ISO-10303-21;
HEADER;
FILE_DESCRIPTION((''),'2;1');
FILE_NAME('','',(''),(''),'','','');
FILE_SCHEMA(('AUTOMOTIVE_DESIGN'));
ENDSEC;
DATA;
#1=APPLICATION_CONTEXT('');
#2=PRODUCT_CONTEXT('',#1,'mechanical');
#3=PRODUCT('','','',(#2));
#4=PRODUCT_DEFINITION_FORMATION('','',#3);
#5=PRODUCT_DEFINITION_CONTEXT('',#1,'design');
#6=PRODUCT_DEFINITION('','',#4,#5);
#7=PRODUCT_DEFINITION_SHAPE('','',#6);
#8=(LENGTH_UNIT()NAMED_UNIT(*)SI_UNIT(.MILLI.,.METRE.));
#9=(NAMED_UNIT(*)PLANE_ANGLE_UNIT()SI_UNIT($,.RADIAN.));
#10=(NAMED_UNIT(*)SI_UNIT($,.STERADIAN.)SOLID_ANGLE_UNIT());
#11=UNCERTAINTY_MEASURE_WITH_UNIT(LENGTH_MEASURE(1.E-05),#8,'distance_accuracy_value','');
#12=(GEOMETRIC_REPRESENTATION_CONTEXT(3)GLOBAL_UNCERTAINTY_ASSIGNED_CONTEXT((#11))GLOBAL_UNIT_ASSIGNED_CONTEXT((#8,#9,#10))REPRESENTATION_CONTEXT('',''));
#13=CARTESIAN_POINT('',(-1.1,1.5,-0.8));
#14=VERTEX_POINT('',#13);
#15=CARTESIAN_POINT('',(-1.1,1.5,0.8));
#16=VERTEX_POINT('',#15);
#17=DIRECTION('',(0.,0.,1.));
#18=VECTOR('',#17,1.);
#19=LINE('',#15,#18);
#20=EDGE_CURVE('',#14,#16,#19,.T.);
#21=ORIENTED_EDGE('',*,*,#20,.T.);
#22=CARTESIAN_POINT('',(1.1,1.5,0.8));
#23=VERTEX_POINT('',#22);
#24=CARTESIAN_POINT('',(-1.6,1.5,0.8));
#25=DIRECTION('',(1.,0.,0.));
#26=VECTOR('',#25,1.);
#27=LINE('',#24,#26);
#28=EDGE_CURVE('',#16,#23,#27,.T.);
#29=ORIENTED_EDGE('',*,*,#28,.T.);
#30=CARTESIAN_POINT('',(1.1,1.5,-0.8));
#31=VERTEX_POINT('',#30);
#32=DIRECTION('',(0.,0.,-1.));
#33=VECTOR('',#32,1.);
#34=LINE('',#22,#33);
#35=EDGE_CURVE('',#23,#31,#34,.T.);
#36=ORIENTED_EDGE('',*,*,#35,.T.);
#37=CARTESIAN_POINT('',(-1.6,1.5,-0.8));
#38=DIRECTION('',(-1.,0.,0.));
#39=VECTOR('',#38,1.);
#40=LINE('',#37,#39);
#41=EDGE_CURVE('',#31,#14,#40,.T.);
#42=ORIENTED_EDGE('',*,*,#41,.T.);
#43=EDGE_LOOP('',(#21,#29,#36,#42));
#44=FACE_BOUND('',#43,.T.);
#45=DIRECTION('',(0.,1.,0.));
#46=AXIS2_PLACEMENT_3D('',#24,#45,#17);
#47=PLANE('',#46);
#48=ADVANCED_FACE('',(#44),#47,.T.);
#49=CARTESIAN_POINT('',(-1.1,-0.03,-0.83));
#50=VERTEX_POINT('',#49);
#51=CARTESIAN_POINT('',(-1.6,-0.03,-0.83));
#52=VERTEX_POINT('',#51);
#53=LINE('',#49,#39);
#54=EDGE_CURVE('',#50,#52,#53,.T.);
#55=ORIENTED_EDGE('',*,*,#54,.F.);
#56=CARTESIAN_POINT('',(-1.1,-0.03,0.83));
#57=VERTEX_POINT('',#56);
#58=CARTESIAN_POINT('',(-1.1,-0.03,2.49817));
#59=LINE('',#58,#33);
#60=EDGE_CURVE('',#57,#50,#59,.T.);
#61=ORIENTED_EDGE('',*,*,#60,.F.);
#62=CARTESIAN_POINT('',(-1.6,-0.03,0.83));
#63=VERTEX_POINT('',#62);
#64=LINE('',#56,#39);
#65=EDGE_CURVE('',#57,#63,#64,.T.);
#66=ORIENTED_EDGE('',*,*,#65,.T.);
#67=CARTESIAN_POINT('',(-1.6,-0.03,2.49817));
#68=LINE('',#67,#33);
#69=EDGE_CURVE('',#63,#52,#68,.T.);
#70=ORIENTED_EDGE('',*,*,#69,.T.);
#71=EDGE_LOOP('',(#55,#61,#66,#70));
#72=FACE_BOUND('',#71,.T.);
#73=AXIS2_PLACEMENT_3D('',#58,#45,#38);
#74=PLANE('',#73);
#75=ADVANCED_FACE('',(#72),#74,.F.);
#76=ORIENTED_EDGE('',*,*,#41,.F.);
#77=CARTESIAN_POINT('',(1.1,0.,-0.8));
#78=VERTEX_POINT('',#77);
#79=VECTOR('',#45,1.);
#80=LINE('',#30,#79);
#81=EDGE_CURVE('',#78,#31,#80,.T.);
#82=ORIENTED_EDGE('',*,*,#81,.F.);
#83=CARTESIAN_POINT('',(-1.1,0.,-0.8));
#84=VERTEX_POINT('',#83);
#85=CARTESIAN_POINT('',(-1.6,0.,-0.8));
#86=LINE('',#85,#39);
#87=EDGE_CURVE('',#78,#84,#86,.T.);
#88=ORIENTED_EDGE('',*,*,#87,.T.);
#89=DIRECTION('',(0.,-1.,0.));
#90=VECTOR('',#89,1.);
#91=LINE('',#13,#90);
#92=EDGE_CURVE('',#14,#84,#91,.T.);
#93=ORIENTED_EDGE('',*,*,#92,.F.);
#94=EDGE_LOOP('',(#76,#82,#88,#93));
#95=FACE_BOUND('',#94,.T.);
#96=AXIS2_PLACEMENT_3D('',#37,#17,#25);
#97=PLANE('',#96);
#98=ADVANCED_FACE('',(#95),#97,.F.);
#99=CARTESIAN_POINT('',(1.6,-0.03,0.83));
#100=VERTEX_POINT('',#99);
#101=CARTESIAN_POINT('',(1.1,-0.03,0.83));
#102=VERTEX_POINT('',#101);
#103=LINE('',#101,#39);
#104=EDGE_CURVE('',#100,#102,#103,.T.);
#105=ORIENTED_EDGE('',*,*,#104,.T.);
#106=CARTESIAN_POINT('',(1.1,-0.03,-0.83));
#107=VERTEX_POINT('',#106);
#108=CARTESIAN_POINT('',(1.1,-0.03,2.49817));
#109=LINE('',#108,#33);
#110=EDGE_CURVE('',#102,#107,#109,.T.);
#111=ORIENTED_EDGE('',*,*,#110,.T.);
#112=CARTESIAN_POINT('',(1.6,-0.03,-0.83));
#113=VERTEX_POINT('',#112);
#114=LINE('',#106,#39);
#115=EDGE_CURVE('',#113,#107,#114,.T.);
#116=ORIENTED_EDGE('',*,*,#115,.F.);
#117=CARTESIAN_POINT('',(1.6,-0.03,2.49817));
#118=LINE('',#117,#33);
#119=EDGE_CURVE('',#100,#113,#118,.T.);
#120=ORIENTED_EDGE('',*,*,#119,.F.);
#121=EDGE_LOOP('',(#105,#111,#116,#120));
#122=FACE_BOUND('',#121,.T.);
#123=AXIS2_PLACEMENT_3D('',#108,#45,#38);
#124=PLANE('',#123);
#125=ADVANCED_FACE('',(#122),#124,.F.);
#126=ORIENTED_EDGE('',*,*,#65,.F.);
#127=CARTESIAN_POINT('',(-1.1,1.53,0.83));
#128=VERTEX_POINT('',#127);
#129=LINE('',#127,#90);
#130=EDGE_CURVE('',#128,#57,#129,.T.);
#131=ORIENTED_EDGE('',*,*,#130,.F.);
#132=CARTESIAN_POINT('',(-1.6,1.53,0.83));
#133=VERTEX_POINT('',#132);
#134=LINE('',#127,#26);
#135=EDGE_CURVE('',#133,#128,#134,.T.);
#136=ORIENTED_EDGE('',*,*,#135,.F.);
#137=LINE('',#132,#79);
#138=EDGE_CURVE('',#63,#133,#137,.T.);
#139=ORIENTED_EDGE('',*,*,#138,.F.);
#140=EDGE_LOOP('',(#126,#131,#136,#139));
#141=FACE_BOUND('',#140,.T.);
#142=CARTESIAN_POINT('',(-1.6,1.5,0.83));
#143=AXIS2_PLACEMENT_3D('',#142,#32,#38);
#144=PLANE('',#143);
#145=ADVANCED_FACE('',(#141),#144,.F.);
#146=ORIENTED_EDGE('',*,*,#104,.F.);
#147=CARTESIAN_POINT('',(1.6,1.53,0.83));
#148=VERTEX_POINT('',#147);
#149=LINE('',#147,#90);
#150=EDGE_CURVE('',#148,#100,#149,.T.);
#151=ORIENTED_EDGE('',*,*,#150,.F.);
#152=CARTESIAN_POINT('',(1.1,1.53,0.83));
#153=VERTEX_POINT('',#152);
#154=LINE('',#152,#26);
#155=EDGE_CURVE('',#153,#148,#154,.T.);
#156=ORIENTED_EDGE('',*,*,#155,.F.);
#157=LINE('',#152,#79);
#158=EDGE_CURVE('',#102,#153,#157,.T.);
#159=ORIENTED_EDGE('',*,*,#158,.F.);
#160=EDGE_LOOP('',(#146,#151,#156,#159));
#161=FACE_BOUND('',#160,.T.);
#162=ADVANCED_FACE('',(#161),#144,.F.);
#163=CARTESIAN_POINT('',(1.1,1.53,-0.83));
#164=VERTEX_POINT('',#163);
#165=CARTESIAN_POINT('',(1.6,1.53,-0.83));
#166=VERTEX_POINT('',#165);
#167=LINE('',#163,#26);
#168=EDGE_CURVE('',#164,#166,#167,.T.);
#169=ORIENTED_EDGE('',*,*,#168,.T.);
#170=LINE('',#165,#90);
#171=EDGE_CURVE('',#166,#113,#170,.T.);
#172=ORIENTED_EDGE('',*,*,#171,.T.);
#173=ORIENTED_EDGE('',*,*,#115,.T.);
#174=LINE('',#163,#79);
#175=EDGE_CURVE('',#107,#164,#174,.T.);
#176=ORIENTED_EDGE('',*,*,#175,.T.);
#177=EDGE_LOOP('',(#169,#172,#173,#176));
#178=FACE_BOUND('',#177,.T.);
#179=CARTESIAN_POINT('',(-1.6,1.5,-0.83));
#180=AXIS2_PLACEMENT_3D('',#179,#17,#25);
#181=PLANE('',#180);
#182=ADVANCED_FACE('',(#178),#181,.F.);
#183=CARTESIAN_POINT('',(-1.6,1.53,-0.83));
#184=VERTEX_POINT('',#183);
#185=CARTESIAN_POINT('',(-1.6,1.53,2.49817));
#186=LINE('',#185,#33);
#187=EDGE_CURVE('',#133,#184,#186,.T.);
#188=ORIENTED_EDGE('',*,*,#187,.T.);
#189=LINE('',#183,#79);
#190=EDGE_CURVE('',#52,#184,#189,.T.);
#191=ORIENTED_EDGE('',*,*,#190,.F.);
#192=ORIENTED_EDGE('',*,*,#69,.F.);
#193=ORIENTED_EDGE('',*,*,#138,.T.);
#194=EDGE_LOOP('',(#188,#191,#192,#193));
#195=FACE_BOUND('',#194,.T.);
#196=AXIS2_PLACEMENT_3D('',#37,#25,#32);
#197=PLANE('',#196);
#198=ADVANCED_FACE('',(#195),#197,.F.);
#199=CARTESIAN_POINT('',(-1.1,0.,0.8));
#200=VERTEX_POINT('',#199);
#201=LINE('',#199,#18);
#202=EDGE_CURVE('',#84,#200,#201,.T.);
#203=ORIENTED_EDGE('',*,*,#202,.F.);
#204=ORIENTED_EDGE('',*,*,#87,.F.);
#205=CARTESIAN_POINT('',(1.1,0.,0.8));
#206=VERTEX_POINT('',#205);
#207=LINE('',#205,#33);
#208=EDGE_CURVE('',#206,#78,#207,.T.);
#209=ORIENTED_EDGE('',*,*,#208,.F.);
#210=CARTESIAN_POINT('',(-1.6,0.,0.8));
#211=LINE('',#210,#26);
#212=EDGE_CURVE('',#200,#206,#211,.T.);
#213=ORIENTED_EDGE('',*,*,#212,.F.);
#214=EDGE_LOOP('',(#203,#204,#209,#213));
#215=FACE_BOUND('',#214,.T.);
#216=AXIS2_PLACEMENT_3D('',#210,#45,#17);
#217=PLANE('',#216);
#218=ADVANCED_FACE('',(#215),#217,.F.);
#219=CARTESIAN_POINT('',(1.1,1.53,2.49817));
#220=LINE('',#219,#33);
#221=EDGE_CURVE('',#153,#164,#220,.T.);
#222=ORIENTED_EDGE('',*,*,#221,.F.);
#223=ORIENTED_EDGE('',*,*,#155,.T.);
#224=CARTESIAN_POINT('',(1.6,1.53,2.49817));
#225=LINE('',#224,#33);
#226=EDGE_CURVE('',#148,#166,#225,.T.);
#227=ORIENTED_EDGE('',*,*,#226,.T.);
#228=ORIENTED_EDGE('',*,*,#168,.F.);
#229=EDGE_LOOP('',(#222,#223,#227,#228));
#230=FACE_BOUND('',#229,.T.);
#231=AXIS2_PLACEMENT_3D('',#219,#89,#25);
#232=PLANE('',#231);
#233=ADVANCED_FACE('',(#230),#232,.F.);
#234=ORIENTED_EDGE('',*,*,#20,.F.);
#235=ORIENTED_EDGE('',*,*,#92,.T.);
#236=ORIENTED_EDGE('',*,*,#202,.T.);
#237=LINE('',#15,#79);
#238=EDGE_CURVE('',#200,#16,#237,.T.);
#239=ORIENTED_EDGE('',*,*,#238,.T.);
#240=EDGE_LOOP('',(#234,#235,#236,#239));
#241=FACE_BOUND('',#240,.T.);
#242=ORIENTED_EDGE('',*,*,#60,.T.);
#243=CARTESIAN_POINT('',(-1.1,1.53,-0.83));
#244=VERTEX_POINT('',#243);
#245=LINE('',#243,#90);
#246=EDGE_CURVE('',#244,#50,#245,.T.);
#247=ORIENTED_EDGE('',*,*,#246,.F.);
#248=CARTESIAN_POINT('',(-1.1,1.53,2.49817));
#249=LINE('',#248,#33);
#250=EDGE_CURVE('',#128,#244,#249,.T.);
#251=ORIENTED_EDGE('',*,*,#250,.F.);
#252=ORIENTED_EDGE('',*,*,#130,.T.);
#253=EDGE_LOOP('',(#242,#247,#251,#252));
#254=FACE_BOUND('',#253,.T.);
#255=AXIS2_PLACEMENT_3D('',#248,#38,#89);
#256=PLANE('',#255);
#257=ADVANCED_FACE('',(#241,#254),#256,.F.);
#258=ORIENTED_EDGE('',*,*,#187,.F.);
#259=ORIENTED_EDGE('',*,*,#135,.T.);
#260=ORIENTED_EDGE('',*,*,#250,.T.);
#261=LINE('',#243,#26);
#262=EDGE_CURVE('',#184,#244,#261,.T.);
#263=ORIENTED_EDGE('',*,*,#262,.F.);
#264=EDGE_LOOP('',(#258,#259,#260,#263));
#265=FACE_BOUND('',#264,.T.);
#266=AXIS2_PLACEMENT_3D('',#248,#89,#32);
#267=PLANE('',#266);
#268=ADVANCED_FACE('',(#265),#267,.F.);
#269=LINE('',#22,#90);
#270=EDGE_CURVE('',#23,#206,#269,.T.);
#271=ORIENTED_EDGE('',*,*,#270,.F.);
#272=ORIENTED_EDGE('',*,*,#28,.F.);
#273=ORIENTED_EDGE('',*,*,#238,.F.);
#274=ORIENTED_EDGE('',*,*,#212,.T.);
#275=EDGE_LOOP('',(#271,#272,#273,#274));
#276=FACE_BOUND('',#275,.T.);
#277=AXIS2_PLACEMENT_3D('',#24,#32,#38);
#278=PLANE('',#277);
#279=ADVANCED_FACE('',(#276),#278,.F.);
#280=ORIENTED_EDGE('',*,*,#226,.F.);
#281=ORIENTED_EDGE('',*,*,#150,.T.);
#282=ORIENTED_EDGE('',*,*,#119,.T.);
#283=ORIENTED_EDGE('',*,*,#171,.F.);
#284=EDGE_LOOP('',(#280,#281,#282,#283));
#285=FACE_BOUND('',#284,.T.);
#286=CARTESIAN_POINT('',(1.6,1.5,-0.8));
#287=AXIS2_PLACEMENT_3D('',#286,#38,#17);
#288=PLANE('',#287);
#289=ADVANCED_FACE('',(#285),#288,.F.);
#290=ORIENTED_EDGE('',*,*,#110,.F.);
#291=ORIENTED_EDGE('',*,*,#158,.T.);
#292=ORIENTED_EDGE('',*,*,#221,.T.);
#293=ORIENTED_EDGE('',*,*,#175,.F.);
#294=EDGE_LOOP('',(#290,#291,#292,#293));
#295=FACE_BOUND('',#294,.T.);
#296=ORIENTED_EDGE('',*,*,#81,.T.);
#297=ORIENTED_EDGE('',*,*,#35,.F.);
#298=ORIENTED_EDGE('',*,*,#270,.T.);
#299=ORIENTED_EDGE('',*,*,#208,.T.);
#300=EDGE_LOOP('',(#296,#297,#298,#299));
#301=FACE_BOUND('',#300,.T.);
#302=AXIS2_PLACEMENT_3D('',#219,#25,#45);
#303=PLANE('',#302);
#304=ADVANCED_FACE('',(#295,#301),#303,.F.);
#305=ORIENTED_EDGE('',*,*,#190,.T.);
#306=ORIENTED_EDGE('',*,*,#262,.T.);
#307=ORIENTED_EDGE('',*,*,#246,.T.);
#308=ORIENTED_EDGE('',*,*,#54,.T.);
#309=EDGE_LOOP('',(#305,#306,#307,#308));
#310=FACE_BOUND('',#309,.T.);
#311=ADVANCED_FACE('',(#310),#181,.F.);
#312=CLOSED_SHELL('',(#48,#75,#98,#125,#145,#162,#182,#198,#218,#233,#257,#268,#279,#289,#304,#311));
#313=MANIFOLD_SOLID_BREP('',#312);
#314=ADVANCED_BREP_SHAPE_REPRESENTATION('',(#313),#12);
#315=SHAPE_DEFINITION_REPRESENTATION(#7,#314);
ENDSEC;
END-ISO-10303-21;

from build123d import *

# Parameters (mm, degrees)
SKETCH1_W           = 3.2
SKETCH1_H           = 1.6
EXTRUDE1_DEPTH      = 1.5
SKETCH2_W           = 0.5
SKETCH2_H           = 1.56
EXTRUDE2_DEPTH      = 0.83
EXTRUDE2_DEPTH_BACK = 0.83


with BuildPart() as part:
    # Sketch1 → Extrude1 (new body)
    with BuildSketch(Plane(origin=(0, 0, 0), x_dir=(1, 0, 0), z_dir=(0, 1, 0))):
        Rectangle(SKETCH1_W, SKETCH1_H)
    extrude(amount=EXTRUDE1_DEPTH)

    # Sketch2 → Extrude2 (add, two sides)
    with BuildSketch(Plane.XY) as extrude2_sk:
        with Locations((-1.35, 0.75)):
            Rectangle(SKETCH2_W, SKETCH2_H)
        with Locations((1.35, 0.75)):
            Rectangle(SKETCH2_W, SKETCH2_H)
    extrude(amount=EXTRUDE2_DEPTH)
    extrude(extrude2_sk.sketch, amount=-EXTRUDE2_DEPTH_BACK)


solid = part.part
